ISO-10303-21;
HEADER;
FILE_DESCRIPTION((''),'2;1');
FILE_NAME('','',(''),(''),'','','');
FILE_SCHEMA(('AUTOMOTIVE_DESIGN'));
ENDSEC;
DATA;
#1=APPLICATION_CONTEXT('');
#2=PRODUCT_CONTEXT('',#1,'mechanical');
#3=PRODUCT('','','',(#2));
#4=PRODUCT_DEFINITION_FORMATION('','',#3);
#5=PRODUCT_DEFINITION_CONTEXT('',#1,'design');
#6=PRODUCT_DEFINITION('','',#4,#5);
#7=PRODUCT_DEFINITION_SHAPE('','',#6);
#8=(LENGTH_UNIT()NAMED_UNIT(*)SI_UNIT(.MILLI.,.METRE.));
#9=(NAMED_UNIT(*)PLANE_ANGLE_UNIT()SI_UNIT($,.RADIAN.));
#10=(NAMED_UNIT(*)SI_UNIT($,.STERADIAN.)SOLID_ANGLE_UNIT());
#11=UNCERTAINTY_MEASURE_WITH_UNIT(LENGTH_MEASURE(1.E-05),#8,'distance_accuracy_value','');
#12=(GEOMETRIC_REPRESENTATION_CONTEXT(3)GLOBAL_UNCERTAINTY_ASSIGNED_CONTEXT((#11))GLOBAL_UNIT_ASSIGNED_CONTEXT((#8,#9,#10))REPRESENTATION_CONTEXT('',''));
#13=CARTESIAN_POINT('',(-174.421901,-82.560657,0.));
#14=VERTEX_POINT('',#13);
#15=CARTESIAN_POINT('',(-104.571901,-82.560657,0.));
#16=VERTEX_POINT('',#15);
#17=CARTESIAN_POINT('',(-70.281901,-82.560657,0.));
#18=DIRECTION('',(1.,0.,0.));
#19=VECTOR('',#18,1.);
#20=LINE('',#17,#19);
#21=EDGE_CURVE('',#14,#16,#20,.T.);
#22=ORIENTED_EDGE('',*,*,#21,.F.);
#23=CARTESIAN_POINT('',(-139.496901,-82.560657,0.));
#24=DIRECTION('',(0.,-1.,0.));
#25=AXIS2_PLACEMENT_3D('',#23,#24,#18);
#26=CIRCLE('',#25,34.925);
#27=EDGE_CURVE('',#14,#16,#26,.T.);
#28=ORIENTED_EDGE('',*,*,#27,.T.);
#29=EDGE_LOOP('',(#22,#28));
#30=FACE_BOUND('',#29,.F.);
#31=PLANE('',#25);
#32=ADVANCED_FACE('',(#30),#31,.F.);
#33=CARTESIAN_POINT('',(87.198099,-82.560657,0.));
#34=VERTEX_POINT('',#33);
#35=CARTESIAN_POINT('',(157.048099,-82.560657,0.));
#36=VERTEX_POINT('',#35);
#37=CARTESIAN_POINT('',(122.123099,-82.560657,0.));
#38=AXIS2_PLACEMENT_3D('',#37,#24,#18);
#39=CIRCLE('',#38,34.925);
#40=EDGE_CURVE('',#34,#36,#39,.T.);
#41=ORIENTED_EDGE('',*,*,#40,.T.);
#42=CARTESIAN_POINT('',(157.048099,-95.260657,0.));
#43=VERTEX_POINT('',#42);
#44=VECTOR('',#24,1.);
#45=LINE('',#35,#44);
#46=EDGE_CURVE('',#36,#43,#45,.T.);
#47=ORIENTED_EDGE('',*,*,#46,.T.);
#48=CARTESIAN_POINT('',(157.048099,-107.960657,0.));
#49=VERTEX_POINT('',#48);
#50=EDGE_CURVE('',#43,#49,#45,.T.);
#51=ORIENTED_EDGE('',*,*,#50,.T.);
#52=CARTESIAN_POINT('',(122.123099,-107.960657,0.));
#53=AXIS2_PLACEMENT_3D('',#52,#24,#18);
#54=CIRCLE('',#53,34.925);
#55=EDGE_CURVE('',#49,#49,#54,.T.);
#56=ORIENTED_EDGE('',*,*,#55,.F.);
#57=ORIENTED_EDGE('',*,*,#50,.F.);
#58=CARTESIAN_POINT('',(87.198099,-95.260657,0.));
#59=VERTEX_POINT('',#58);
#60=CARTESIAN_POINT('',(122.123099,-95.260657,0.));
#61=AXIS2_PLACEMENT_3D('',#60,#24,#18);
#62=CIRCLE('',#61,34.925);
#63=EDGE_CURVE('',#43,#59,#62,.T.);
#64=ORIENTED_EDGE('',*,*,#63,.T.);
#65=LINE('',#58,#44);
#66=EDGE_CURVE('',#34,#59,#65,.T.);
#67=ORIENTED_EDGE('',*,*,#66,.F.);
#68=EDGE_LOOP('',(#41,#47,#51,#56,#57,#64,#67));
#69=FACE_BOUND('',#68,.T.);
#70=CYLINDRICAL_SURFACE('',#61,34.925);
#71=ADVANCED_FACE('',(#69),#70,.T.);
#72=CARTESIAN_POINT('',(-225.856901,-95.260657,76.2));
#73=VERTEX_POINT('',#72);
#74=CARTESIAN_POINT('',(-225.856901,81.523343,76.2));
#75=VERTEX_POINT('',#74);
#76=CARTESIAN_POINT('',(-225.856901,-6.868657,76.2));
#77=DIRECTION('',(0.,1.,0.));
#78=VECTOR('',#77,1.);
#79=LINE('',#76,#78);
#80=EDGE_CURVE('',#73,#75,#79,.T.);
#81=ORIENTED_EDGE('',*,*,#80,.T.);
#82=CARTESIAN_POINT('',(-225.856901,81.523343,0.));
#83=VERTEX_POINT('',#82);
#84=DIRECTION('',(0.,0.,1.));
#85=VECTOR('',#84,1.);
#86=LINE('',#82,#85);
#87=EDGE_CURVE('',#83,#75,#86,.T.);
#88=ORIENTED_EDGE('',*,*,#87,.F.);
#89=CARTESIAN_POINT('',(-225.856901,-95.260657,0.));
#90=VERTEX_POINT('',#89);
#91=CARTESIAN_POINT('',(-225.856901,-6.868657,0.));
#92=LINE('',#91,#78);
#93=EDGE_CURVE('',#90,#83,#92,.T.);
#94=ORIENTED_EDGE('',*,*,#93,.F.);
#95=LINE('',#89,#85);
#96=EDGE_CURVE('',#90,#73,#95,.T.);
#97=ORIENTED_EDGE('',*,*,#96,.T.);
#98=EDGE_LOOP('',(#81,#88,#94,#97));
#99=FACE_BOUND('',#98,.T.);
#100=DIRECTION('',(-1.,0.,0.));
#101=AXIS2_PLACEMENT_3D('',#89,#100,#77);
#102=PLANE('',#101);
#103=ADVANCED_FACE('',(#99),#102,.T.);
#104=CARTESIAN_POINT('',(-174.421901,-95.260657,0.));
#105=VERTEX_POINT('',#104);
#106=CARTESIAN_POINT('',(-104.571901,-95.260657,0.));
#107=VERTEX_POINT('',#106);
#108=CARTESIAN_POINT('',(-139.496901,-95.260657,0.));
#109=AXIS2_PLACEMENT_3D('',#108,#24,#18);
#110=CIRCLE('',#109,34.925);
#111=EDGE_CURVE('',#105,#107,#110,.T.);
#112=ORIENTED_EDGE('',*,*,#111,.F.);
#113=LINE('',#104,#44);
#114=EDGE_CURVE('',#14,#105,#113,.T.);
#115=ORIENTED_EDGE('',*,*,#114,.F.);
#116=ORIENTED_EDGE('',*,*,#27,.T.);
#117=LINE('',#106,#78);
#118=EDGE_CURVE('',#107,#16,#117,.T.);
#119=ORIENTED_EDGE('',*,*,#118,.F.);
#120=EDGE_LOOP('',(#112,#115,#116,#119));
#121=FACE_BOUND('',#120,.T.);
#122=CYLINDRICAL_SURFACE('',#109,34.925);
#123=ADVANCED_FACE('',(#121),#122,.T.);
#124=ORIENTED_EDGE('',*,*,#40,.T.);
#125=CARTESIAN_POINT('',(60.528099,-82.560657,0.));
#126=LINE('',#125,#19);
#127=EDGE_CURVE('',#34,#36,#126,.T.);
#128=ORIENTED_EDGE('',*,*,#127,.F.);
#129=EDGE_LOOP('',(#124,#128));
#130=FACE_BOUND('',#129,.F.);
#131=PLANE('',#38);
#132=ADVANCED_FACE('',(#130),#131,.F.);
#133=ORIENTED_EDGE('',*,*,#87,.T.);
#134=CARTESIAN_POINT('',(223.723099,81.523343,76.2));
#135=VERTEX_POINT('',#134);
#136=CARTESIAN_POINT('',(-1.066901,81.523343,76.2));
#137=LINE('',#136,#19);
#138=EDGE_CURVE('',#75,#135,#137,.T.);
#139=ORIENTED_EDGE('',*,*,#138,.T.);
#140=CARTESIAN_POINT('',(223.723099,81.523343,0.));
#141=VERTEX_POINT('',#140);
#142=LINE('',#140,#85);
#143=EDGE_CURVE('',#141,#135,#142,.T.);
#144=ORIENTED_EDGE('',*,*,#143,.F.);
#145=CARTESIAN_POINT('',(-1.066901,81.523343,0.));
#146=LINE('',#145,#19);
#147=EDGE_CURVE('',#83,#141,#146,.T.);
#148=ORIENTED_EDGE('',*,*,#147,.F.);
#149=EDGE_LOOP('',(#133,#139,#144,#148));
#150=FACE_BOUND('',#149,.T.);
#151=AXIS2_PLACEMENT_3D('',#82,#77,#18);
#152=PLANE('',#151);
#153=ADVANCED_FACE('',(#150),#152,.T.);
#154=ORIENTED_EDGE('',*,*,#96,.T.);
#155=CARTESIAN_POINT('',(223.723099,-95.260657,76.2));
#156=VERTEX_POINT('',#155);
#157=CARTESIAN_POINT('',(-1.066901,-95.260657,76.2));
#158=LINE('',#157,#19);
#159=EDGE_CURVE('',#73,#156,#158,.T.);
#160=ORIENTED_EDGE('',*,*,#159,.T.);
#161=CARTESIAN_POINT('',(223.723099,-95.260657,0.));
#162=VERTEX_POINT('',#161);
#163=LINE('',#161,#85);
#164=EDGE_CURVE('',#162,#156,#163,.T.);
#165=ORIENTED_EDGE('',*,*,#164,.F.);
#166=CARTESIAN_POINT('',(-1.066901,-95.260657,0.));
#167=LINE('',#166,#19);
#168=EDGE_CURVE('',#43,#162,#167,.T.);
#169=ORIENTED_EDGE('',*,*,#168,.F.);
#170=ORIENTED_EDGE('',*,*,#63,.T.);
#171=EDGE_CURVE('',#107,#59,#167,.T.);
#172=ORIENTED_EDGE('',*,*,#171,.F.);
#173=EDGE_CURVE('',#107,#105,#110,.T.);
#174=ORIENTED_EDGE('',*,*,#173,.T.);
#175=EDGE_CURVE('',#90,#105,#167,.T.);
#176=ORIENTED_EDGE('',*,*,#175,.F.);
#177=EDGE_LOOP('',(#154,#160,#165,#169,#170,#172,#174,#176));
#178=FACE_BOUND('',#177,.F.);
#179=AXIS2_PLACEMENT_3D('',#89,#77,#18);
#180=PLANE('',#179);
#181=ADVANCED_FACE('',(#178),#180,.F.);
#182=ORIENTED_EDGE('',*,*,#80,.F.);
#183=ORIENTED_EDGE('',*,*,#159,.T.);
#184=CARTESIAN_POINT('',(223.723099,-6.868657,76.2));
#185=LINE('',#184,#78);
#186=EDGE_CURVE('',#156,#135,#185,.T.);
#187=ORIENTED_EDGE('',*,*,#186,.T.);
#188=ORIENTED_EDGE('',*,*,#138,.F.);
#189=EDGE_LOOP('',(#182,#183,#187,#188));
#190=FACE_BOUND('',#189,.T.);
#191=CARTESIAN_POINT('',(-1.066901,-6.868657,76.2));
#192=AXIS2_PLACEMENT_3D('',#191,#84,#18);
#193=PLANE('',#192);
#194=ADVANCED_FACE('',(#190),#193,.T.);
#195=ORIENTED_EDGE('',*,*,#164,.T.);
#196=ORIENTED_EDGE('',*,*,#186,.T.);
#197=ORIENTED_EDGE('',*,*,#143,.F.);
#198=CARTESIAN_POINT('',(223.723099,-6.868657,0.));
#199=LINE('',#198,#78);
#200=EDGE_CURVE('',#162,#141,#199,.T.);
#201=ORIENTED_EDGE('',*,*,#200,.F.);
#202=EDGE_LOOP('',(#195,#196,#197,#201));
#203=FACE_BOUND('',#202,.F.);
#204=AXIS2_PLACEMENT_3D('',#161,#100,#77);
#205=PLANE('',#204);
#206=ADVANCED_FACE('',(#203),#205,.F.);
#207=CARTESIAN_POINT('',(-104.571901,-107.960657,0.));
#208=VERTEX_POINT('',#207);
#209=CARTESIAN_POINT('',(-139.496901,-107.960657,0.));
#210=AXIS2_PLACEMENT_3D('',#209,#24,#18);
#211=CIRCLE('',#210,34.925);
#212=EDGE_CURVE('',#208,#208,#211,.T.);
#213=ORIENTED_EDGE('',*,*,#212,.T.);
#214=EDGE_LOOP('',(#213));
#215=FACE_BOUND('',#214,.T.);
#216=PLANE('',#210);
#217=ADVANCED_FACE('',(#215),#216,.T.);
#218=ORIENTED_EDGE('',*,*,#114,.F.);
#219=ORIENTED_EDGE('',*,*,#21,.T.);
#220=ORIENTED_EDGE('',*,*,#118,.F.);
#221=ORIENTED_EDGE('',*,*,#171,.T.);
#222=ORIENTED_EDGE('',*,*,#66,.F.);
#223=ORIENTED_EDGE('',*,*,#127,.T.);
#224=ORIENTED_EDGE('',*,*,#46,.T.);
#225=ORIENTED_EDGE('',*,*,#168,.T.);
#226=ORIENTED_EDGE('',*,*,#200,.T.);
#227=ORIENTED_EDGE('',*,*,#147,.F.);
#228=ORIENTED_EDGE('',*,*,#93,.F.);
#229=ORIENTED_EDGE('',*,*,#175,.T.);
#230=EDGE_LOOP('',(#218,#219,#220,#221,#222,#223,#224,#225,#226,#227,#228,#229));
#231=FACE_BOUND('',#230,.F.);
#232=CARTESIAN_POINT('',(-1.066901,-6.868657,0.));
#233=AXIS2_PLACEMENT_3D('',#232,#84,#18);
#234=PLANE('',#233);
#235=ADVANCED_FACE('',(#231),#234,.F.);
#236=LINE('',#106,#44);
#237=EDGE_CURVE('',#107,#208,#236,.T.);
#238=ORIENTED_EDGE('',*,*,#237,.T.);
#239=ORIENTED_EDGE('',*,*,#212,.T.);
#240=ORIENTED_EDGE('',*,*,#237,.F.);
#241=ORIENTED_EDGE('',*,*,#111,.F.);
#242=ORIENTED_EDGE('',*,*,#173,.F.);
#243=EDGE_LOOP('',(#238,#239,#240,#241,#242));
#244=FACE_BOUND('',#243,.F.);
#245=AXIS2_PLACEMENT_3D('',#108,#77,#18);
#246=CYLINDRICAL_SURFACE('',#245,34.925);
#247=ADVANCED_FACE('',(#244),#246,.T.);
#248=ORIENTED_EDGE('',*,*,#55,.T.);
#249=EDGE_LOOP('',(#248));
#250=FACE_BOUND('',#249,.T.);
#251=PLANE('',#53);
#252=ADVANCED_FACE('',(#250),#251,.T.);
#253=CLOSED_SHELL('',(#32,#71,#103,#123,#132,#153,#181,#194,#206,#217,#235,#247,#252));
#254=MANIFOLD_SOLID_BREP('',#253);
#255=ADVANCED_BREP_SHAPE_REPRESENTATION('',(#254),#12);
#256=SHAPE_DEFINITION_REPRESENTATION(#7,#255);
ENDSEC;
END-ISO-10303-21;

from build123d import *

# Parameters (mm, degrees)
F0_W     = 449.58
F0_H     = 176.784
F1_DEPTH = 76.2
F2_R     = 34.925
F3_DEPTH = 12.7


with BuildPart() as f1:
    # F0 (on Top) → F1 (new body)
    with BuildSketch(Plane.XY):
        with Locations((-1.066901, -6.868657)):
            Rectangle(F0_W, F0_H)
    extrude(amount=F1_DEPTH)

    # F2 (on face) → F3 (join, symmetric)
    with BuildSketch(Plane.XZ.offset(95.260657)):
        with Locations((-139.496901, 0)):
            Circle(F2_R)
        with Locations((122.123099, 0)):
            Circle(F2_R)
    extrude(amount=F3_DEPTH, both=True)


solid = f1.part
